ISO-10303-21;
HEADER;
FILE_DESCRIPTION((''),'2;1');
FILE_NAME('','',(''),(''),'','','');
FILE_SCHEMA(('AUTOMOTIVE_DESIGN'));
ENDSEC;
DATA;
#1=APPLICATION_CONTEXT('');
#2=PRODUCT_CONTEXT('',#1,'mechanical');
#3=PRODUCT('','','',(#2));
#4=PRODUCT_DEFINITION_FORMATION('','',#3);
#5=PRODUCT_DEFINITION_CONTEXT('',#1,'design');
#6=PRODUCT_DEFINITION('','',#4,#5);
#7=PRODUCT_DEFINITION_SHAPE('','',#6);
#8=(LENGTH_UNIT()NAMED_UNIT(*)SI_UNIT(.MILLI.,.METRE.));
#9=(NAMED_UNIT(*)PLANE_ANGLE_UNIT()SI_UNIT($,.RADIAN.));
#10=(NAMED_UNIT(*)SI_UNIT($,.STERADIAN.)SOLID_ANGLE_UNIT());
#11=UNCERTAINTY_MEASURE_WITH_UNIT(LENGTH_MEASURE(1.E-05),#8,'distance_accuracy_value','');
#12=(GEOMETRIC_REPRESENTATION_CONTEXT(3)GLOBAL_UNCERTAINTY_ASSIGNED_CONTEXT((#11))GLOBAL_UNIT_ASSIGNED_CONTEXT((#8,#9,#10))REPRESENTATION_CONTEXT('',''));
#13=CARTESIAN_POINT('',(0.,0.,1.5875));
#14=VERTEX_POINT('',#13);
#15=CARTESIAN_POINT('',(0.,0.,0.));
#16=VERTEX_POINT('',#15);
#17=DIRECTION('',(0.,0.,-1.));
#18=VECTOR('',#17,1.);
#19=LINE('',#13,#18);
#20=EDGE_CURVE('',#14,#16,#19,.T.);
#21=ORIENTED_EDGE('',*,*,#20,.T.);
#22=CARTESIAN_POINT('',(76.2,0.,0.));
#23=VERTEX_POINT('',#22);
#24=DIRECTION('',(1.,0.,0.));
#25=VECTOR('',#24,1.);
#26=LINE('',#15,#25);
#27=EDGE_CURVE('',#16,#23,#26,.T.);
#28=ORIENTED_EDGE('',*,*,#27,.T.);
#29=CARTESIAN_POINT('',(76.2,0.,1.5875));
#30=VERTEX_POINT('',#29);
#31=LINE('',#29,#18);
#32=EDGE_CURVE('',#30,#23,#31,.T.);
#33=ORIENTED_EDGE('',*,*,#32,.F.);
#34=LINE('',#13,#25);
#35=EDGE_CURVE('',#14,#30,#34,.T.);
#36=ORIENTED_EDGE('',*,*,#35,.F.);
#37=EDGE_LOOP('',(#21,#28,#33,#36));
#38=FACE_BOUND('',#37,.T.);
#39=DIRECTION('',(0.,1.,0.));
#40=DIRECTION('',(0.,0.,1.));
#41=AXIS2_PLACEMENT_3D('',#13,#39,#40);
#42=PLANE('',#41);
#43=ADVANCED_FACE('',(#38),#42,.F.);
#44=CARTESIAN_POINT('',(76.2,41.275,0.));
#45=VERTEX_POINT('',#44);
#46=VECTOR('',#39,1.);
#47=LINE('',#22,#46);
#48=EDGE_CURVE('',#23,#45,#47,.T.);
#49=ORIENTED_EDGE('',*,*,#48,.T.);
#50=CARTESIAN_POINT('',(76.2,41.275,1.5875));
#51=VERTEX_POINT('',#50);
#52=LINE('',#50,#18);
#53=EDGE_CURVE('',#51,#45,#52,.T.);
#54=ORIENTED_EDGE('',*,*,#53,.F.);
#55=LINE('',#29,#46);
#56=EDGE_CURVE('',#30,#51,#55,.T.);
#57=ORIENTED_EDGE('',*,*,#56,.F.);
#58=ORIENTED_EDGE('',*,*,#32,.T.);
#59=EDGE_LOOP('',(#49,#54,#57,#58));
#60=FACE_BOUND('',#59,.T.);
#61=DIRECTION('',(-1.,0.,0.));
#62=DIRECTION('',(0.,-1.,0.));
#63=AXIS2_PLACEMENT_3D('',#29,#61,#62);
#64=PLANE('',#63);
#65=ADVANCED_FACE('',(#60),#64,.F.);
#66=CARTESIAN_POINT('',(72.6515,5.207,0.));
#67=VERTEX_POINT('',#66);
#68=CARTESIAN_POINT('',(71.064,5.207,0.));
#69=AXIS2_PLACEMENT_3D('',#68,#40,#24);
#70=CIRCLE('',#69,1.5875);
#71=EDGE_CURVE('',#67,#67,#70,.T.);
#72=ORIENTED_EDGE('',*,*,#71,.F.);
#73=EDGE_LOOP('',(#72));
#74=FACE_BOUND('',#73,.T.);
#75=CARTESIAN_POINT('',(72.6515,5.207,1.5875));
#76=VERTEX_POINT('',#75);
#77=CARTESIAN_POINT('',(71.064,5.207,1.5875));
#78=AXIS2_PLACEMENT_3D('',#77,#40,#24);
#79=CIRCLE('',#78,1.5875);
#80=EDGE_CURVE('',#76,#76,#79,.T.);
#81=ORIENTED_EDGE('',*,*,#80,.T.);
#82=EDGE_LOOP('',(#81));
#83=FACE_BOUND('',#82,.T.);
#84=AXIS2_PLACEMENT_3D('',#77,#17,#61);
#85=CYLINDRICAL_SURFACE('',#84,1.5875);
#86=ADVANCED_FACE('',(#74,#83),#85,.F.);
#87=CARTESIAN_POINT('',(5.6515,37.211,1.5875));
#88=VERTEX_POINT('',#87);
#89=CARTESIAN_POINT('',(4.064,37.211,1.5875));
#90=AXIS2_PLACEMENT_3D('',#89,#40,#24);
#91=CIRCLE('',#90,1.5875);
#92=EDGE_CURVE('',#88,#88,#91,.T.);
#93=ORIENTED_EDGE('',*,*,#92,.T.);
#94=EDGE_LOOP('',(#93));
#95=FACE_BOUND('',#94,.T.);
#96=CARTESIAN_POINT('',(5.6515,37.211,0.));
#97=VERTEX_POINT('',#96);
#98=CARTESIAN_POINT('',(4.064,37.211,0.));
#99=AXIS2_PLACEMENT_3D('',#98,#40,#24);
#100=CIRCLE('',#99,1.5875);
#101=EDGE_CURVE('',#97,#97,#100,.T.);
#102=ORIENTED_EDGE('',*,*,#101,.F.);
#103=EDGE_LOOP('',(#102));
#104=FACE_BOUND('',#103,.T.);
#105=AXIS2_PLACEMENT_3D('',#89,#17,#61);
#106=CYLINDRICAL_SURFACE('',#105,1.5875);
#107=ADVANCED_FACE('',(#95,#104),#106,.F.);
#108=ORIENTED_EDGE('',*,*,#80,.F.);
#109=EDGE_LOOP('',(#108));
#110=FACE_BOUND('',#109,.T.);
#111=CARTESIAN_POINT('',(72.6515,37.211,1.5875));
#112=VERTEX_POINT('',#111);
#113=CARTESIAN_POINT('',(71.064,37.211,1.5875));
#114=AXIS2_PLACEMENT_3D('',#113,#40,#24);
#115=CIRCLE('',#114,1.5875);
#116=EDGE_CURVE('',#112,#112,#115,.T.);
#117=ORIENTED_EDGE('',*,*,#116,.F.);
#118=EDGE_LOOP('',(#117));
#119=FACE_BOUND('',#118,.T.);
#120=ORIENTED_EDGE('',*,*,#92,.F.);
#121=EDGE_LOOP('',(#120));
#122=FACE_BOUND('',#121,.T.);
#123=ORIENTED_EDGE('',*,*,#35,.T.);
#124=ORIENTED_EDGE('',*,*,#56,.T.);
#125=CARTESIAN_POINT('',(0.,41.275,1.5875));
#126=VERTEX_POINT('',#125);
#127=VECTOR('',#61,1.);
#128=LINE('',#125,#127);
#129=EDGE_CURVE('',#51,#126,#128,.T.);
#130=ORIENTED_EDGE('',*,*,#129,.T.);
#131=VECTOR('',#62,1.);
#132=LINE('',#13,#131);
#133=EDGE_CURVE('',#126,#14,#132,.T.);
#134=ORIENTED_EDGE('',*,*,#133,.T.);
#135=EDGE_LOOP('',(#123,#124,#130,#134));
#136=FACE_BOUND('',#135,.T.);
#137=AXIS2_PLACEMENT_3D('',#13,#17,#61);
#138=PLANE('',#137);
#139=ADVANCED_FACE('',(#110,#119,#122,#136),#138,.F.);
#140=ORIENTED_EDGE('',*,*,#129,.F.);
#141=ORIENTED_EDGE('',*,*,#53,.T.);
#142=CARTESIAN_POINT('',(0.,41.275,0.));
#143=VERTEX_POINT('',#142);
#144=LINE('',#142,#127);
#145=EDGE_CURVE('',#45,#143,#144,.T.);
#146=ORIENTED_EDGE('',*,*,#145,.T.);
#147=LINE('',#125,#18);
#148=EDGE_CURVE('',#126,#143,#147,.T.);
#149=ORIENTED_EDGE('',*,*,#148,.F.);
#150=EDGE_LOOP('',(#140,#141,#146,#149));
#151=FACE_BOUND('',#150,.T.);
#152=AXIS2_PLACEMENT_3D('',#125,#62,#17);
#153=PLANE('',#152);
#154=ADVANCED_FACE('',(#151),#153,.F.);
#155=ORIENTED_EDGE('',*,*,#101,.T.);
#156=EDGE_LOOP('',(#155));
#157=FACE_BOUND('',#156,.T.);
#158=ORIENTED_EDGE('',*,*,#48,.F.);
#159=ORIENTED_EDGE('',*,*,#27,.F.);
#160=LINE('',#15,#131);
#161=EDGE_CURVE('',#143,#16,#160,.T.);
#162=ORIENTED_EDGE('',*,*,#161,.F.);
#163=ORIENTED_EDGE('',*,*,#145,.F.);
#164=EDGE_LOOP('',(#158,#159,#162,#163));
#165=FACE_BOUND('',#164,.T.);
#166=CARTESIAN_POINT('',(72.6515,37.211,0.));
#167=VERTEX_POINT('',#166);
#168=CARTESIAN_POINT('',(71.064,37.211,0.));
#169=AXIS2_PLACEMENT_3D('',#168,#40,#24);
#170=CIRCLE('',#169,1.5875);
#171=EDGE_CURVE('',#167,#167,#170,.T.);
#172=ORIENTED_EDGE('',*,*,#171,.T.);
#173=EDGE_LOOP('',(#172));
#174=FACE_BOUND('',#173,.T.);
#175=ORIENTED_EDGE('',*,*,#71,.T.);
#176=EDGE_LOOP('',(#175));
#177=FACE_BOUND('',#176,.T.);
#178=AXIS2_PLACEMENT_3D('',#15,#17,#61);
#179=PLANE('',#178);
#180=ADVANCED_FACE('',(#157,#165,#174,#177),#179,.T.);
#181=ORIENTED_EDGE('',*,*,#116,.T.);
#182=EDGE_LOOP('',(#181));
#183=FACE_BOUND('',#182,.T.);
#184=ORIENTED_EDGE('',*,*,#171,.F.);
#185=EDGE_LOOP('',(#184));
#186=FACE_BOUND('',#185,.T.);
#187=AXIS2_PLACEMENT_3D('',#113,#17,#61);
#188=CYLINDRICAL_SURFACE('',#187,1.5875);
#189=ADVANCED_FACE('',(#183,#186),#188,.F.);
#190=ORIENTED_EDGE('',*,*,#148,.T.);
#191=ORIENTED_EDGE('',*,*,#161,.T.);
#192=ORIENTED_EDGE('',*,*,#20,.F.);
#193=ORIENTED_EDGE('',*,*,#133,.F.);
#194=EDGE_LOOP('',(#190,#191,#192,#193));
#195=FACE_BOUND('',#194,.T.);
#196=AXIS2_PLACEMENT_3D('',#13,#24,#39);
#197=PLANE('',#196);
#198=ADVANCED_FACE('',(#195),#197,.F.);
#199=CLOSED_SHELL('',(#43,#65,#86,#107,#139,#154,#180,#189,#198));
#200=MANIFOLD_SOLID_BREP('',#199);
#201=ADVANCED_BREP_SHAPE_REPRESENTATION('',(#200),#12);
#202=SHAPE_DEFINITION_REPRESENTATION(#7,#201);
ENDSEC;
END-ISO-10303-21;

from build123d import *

# Parameters (mm, degrees)
SKETCH1_W           = 76.2
SKETCH1_H           = 41.275
SKETCH1_R           = 1.5875
BOSS_EXTRUDE1_DEPTH = 1.5875


with BuildPart() as part:
    # Sketch1 → Boss-Extrude1 (new body)
    with BuildSketch(Plane.XY):
        with Locations((38.1, 20.6375)):
            Rectangle(SKETCH1_W, SKETCH1_H)
        with Locations((4.064, 37.211)):
            Circle(SKETCH1_R, mode=Mode.SUBTRACT)
        with Locations((71.064, 37.211)):
            Circle(SKETCH1_R, mode=Mode.SUBTRACT)
        with Locations((71.064, 5.207)):
            Circle(SKETCH1_R, mode=Mode.SUBTRACT)
    extrude(amount=BOSS_EXTRUDE1_DEPTH)


solid = part.part
